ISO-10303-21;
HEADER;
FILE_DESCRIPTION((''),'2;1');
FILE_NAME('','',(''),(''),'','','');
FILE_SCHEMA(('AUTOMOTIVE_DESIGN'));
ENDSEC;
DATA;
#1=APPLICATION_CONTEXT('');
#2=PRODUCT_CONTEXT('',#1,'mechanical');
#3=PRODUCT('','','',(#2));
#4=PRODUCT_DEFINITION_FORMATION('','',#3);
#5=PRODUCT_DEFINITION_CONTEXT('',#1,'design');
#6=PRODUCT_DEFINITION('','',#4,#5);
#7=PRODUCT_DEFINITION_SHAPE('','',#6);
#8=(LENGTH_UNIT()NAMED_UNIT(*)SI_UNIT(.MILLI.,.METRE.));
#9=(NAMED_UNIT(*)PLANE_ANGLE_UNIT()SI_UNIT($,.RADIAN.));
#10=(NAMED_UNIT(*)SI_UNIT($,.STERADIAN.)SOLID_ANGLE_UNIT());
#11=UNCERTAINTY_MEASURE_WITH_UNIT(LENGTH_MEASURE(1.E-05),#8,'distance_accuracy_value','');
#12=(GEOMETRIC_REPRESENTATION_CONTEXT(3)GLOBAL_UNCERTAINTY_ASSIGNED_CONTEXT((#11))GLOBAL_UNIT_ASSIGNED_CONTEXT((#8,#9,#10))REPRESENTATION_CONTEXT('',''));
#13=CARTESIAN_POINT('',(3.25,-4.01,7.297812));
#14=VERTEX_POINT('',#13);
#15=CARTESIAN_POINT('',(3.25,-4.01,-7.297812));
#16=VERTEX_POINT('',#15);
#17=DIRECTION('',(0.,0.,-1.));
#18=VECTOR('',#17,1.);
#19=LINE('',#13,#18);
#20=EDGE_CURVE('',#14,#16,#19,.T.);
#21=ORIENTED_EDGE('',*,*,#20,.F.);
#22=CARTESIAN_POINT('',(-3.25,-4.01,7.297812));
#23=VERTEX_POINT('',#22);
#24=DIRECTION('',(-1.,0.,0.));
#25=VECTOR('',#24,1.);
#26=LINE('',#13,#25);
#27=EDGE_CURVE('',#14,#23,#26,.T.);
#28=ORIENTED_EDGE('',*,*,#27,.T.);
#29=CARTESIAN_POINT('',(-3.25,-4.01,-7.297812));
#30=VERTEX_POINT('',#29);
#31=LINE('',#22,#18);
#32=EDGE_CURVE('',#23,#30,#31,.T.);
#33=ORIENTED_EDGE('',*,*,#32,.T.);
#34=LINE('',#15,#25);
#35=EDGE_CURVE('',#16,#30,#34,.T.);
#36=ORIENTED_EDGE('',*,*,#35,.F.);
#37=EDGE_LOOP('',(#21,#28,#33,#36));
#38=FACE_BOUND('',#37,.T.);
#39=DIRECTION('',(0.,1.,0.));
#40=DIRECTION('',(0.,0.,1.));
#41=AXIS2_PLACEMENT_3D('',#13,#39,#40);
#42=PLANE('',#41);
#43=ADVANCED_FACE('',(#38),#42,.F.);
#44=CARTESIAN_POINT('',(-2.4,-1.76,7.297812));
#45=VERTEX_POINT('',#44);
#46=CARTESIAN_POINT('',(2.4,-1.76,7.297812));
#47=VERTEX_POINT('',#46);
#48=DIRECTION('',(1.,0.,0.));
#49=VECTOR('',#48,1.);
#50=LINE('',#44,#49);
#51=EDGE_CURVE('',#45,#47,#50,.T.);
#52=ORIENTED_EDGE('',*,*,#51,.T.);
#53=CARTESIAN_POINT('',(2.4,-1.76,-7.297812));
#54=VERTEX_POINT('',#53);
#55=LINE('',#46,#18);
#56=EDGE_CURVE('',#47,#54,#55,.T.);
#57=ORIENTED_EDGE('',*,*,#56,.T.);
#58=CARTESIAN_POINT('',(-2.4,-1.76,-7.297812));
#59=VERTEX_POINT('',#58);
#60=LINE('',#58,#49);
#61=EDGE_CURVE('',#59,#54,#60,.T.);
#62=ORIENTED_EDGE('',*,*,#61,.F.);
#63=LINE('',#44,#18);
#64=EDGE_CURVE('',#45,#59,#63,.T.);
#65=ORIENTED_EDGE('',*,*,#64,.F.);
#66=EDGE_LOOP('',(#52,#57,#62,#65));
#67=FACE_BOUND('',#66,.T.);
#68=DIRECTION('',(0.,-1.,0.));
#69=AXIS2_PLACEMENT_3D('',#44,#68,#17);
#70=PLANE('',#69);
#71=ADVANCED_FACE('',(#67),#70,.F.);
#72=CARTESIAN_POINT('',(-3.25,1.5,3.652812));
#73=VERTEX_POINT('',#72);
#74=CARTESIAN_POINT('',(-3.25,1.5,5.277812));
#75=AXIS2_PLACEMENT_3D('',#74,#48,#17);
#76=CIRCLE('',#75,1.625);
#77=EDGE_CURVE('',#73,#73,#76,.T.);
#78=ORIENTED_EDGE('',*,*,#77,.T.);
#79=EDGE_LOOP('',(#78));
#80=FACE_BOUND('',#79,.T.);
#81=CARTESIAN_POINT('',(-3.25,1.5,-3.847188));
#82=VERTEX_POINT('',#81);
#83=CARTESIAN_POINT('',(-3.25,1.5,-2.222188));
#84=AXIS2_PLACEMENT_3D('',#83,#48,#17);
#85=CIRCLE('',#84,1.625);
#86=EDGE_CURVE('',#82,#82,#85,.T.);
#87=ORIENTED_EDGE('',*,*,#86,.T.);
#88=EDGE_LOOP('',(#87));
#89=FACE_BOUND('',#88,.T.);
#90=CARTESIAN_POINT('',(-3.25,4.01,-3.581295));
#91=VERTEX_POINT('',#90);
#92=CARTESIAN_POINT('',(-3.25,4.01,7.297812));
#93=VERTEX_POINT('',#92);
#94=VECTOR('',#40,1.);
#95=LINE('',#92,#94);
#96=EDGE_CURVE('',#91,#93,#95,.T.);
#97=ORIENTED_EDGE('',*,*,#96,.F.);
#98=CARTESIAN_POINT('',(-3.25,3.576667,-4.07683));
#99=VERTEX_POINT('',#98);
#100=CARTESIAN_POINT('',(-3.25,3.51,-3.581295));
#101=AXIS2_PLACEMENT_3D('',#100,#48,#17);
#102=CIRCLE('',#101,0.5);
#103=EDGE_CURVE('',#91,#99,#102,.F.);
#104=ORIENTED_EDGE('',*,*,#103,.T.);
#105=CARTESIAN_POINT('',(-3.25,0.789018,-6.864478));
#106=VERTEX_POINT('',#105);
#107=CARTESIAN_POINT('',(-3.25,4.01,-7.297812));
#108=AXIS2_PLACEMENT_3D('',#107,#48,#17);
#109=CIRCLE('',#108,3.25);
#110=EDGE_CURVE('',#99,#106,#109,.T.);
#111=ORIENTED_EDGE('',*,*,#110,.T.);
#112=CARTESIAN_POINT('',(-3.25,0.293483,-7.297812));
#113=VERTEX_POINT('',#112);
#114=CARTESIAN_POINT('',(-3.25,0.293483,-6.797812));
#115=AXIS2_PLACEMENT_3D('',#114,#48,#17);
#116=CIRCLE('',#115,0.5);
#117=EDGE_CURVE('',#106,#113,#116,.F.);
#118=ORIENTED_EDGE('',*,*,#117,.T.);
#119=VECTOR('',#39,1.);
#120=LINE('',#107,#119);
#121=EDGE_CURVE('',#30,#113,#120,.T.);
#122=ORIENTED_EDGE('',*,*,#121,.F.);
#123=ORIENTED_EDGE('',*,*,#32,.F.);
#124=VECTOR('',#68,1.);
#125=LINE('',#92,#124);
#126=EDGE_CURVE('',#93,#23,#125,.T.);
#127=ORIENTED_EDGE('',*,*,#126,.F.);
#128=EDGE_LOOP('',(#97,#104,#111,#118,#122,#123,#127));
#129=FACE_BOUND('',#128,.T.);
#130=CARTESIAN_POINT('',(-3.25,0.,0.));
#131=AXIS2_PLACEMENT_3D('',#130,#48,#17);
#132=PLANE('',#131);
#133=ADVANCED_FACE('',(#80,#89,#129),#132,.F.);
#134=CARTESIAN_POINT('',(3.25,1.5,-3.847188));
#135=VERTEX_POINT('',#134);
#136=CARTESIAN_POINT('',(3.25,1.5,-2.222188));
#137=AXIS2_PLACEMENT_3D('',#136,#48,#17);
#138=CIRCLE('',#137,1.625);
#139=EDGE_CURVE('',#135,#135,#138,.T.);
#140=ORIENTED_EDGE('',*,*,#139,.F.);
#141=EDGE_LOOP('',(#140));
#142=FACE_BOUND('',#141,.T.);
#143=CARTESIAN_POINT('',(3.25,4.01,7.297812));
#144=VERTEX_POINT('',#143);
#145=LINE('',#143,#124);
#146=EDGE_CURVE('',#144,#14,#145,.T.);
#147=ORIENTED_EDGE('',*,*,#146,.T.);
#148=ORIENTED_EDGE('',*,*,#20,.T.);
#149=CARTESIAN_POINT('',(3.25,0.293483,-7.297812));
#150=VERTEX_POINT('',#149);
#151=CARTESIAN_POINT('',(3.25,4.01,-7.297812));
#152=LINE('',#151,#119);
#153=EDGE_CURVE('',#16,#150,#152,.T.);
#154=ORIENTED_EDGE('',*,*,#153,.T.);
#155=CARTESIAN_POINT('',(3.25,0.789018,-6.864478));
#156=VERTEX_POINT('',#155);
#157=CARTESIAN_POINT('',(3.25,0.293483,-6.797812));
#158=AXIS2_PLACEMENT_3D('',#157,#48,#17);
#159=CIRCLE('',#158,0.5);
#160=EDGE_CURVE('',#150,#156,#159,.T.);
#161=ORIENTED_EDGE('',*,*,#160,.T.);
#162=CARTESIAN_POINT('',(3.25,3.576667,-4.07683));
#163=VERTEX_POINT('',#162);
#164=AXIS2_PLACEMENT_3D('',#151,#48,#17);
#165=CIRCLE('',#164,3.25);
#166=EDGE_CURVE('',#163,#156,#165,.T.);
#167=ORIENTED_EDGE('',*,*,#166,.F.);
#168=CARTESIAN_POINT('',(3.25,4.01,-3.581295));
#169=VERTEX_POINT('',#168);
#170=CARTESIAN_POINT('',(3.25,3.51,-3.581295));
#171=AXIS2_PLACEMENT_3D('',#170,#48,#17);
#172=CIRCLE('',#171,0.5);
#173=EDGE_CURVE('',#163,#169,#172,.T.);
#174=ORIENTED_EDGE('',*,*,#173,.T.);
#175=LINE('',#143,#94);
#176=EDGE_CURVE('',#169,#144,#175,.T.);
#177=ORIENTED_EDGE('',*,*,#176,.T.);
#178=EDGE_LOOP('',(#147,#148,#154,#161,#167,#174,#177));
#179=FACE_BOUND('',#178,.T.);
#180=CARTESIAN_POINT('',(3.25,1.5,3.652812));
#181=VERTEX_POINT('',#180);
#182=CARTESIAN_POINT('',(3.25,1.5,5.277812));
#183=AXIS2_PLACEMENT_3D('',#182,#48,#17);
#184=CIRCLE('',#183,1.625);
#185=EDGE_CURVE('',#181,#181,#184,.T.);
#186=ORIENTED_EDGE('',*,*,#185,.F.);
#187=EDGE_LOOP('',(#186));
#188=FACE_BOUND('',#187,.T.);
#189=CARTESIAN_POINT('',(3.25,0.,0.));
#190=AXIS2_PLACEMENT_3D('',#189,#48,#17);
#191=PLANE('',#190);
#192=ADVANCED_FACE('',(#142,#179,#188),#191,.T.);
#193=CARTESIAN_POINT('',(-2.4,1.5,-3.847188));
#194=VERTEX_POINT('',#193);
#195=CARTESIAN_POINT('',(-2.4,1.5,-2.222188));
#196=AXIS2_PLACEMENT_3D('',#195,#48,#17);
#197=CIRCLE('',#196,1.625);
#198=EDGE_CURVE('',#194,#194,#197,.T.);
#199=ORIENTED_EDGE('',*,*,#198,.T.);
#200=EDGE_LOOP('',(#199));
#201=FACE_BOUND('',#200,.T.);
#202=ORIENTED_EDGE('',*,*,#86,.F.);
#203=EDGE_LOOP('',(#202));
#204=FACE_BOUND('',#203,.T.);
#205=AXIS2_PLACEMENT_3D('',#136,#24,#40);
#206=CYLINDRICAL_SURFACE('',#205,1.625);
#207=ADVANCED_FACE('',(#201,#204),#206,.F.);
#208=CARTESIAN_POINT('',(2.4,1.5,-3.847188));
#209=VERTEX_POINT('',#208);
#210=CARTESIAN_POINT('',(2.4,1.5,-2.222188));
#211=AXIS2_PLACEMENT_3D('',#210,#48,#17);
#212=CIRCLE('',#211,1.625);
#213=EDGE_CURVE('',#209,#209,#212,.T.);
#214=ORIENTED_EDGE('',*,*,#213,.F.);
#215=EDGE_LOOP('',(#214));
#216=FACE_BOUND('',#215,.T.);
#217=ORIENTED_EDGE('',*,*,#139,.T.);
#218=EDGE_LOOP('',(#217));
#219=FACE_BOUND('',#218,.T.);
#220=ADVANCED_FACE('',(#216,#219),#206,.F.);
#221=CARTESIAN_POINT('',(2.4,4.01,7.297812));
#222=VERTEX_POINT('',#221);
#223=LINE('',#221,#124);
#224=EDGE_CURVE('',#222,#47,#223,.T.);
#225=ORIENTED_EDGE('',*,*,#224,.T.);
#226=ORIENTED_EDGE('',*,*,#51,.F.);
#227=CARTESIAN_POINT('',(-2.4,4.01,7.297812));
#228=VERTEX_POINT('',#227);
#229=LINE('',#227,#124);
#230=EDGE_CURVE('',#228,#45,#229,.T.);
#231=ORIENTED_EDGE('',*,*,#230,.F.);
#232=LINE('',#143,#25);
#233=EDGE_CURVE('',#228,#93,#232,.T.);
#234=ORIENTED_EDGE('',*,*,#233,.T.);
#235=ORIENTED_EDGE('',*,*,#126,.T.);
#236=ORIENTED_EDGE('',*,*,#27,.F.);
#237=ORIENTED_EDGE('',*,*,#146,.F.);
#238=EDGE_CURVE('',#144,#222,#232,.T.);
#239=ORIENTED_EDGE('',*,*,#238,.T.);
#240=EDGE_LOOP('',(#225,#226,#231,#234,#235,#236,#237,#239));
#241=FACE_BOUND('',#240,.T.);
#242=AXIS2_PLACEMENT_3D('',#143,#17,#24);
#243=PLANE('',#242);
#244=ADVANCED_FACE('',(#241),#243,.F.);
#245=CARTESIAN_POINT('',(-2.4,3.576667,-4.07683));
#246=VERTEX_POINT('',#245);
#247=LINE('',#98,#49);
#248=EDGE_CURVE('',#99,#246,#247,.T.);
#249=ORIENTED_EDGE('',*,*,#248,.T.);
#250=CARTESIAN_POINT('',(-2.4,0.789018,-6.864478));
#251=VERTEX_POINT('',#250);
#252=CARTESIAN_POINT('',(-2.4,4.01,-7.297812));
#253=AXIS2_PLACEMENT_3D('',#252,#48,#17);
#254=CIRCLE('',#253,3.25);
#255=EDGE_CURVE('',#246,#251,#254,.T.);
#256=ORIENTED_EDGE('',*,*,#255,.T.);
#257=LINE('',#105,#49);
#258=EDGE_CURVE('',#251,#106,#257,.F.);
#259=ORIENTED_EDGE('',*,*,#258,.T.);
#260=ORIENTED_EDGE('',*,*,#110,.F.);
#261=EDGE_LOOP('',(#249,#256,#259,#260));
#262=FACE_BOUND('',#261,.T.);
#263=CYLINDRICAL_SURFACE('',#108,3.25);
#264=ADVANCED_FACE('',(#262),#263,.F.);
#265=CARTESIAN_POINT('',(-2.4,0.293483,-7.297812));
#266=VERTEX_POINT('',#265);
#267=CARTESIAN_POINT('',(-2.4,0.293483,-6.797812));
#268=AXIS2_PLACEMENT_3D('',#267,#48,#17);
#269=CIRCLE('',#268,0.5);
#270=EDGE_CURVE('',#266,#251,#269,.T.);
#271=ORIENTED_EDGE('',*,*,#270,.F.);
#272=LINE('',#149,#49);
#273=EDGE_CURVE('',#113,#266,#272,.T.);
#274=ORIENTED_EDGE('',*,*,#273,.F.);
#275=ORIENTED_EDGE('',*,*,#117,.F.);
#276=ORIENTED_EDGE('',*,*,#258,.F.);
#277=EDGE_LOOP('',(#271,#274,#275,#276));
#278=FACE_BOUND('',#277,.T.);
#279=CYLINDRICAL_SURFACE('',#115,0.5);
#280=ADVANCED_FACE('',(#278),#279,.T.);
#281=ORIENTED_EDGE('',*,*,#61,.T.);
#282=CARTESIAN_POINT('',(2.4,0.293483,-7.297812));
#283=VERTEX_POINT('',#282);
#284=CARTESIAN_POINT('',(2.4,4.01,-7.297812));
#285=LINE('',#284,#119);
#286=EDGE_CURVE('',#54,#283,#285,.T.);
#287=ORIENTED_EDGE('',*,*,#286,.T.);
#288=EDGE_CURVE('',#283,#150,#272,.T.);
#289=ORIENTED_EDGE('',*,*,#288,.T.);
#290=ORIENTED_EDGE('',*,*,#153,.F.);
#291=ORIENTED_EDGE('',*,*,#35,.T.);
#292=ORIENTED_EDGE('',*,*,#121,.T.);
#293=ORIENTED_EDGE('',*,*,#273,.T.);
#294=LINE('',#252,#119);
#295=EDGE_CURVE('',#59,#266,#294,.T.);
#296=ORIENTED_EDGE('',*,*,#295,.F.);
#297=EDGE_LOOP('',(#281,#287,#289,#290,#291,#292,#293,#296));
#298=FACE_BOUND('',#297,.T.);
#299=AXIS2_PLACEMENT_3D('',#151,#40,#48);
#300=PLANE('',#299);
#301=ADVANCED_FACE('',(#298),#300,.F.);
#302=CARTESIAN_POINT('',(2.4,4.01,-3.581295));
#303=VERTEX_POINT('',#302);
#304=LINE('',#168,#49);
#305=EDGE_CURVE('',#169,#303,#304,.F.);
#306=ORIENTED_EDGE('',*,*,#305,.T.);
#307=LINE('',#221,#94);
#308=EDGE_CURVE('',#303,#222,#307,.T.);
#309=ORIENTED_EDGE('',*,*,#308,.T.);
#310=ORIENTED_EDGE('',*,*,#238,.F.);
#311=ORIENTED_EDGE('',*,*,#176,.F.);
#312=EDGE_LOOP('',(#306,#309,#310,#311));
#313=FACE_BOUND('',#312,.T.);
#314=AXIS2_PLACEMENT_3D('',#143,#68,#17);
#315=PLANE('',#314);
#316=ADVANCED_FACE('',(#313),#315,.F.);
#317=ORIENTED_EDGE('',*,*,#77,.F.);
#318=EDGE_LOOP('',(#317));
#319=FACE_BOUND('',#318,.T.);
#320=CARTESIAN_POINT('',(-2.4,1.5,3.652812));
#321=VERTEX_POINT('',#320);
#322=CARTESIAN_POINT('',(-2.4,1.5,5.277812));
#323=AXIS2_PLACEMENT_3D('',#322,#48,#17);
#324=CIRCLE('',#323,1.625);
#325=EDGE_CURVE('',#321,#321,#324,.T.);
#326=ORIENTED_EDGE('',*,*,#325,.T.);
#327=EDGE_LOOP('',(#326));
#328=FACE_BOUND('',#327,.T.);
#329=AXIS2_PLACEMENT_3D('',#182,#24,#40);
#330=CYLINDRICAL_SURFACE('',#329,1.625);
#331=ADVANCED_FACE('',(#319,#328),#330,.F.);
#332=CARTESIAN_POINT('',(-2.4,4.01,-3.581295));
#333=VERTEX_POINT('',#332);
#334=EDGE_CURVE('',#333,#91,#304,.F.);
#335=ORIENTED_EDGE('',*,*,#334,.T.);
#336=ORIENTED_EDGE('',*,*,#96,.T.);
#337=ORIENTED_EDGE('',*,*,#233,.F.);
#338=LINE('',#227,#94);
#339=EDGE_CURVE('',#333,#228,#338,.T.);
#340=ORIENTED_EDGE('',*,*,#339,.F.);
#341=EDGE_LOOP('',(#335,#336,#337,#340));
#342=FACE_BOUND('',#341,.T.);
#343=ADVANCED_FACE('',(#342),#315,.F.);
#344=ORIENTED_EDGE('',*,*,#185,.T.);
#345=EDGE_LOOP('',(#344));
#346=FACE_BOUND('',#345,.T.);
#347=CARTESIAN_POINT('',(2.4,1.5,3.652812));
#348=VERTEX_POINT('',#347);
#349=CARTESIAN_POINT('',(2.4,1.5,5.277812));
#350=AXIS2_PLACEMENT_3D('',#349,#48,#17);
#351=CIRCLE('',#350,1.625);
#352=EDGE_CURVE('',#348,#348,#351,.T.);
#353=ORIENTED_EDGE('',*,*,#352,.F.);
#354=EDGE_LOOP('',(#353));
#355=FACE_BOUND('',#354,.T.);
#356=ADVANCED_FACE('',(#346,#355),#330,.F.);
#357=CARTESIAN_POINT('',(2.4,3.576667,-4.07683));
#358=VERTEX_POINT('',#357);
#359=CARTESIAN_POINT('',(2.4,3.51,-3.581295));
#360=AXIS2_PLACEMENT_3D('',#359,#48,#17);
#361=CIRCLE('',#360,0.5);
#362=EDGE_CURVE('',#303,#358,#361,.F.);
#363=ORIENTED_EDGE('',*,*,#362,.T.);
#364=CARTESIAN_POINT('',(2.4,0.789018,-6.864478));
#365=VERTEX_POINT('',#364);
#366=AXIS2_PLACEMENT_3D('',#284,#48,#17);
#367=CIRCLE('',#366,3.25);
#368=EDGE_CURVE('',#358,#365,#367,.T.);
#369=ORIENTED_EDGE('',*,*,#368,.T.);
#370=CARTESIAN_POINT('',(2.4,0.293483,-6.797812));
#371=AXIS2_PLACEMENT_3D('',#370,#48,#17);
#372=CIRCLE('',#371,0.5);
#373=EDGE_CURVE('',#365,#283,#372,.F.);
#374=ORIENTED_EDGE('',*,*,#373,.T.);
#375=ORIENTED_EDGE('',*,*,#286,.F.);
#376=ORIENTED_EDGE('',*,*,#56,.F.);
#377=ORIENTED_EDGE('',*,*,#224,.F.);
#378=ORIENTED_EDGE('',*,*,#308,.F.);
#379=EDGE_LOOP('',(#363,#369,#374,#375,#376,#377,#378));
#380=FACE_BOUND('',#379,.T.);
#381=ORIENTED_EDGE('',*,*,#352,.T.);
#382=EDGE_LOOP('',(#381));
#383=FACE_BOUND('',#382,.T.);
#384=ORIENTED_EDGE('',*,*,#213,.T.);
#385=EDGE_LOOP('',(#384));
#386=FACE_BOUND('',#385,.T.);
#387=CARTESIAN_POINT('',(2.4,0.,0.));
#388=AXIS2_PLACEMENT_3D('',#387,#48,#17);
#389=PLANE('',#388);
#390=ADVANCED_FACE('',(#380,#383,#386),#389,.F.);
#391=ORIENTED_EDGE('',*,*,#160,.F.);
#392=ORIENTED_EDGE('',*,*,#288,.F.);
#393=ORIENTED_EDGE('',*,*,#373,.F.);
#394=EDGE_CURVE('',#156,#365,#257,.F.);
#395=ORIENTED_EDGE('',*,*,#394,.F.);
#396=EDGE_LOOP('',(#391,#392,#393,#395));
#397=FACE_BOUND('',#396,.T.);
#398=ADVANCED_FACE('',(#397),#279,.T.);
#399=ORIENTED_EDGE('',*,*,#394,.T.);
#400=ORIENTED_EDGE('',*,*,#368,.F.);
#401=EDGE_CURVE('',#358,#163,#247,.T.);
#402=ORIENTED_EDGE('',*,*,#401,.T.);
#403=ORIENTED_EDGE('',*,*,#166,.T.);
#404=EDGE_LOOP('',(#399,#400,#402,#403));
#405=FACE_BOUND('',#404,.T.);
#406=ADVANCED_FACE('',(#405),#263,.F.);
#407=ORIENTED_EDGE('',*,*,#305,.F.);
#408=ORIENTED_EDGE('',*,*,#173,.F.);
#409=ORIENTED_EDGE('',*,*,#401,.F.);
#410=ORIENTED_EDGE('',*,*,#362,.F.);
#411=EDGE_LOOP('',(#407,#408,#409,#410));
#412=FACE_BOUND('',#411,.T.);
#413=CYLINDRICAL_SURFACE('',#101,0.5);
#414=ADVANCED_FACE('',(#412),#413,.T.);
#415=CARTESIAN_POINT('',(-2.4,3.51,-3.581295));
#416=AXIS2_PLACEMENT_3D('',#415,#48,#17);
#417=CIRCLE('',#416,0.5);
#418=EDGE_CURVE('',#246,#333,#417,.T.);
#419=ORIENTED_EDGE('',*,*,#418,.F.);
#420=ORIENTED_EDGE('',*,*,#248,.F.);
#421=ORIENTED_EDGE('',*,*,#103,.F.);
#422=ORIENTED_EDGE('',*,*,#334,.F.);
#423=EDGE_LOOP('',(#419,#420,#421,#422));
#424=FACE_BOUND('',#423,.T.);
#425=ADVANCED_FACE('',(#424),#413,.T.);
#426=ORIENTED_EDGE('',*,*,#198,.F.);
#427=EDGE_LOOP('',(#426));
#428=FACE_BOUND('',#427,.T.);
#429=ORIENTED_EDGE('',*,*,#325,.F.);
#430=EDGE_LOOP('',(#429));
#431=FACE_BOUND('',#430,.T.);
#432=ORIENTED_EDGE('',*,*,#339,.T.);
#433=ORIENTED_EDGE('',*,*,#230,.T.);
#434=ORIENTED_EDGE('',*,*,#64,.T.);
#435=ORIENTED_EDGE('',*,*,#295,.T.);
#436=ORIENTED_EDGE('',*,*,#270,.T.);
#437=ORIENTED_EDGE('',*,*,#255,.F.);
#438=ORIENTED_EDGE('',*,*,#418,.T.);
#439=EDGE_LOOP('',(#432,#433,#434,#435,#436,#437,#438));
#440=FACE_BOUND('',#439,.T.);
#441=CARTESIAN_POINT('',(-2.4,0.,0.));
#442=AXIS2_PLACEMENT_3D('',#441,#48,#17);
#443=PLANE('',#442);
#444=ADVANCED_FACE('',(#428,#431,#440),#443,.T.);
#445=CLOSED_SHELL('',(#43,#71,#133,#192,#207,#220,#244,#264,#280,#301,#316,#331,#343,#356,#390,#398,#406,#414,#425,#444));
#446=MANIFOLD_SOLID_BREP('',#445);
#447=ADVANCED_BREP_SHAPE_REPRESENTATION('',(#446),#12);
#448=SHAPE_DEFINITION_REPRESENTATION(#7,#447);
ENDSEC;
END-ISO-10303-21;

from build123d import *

# Parameters (mm, degrees)
SKETCH1_W               = 14.59562339
SKETCH1_H               = 8.02
SKETCH1_R               = 1.625
BOSS_EXTRUDE1_DEPTH     = 3.25
SKETCH2_W               = 14.59562339
SKETCH2_H               = 5.77
CUT_EXTRUDE1_DEPTH      = 2.4
CUT_EXTRUDE2_DEPTH      = 4.25
CUT_EXTRUDE2_DEPTH_BACK = 4.25
FILLET1_R               = 0.5


with BuildPart() as part:
    # Sketch1 → Boss-Extrude1 (new body, symmetric)
    with BuildSketch(Plane(origin=(0, 0, 0), x_dir=(0, 0, -1), z_dir=(1, 0, 0))):
        Rectangle(SKETCH1_W, SKETCH1_H)
        with Locations((-5.277811695, 1.5)):
            Circle(SKETCH1_R, mode=Mode.SUBTRACT)
        with Locations((2.222188305, 1.5)):
            Circle(SKETCH1_R, mode=Mode.SUBTRACT)
    extrude(amount=BOSS_EXTRUDE1_DEPTH, both=True)

    # Sketch2 → Cut-Extrude1 (cut, symmetric)
    with BuildSketch(Plane(origin=(0, 0, 0), x_dir=(0, 0, -1), z_dir=(1, 0, 0))):
        with Locations((0, 1.125)):
            Rectangle(SKETCH2_W, SKETCH2_H)
    extrude(amount=CUT_EXTRUDE1_DEPTH, both=True, mode=Mode.SUBTRACT)

    # Sketch4 → Cut-Extrude2 (cut, two sides)
    with BuildSketch(Plane(origin=(0, 0, 0), x_dir=(0, 0, -1), z_dir=(1, 0, 0))) as cut_extrude2_sk:
        with BuildLine():
            Line((4.047811695, 4.01), (7.297811695, 4.01))
            Line((7.297811695, 4.01), (7.297811695, 0.76))
            ThreePointArc((7.297811695, 0.76), (4.999714656, 1.711902961), (4.047811695, 4.01))
        make_face()
    extrude(amount=CUT_EXTRUDE2_DEPTH, mode=Mode.SUBTRACT)
    extrude(cut_extrude2_sk.sketch, amount=-CUT_EXTRUDE2_DEPTH_BACK, mode=Mode.SUBTRACT)

    # Fillet1
    fillet1_edges = [part.edges().sort_by_distance(p)[0] for p in [
        (2.825, 0.76, -7.297811695),
        (2.825, 4.01, -4.047811695),
        (-2.825, 0.76, -7.297811695),
        (-2.825, 4.01, -4.047811695),
    ]]
    fillet(fillet1_edges, radius=FILLET1_R)


solid = part.part
